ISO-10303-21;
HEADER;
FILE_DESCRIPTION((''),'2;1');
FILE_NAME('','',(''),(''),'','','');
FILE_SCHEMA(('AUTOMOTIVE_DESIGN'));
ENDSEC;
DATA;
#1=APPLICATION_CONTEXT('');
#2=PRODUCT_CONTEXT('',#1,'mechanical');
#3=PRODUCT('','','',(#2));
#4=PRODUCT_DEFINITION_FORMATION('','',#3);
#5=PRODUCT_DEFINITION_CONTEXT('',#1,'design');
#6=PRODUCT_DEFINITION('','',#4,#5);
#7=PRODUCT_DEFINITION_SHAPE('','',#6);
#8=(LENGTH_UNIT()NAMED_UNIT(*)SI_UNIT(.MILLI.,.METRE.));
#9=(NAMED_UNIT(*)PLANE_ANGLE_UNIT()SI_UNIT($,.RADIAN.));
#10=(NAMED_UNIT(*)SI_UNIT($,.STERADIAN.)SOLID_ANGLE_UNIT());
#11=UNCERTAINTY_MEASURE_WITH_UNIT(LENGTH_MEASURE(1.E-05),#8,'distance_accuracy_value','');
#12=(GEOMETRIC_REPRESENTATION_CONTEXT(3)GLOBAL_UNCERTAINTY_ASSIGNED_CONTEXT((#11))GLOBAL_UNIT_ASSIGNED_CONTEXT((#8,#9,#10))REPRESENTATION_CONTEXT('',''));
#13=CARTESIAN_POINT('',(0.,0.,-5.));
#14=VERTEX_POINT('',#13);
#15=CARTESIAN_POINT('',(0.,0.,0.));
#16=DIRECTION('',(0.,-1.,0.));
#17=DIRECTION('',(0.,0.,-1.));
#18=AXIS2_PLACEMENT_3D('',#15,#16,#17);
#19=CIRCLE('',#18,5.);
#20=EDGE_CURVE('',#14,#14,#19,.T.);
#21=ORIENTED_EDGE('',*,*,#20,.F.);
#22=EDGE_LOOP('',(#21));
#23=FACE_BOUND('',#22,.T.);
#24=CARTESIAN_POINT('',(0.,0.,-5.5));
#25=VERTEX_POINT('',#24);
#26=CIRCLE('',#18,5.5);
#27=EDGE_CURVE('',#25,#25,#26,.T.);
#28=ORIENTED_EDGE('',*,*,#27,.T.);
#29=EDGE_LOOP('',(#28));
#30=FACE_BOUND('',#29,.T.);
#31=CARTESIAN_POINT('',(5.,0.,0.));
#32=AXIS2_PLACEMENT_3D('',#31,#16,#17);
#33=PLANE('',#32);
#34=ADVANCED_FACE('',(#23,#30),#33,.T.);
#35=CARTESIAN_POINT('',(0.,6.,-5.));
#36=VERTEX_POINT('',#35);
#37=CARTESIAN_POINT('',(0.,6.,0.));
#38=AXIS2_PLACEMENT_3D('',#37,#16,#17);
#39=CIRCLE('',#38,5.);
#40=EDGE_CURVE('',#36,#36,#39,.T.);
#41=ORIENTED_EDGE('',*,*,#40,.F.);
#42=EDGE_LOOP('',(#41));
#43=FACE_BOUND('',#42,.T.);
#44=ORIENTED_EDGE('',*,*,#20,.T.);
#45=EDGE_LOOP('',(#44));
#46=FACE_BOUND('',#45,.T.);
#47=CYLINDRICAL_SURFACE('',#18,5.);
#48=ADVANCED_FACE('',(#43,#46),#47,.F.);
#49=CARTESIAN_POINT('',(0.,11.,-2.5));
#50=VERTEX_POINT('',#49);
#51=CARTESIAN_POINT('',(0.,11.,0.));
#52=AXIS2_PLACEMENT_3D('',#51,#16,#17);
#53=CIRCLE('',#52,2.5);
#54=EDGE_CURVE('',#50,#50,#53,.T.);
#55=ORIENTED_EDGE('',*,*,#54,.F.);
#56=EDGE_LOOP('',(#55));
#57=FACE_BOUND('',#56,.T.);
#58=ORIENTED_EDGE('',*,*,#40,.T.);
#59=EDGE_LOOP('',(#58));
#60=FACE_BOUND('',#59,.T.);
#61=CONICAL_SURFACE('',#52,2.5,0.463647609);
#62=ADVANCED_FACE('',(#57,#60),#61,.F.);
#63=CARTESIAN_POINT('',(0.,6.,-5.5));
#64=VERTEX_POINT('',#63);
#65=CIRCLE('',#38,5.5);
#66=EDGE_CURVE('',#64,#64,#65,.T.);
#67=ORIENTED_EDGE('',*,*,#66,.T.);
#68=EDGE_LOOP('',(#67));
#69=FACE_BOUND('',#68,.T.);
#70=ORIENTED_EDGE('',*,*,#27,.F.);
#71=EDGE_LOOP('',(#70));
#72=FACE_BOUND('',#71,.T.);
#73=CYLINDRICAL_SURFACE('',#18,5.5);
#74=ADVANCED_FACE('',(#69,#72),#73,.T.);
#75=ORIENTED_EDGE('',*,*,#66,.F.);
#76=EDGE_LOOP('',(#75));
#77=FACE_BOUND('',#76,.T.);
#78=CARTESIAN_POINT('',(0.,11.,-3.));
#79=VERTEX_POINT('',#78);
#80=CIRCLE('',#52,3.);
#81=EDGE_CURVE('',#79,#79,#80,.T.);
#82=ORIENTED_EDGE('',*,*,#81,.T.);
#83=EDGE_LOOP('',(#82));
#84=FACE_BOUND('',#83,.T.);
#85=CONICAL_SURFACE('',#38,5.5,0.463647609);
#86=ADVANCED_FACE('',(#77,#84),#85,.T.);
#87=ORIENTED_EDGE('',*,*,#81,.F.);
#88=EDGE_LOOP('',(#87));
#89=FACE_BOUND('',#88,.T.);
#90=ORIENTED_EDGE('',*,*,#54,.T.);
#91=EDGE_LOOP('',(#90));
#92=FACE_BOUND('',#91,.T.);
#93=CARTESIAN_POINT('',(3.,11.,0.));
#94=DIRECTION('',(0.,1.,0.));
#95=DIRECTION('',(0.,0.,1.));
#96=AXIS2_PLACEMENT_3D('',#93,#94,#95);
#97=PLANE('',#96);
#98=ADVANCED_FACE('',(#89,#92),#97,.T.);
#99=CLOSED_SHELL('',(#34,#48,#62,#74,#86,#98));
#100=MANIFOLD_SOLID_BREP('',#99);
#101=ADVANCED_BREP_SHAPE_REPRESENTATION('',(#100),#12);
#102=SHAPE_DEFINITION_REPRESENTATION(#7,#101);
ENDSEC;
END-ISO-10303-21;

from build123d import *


with BuildPart() as part:
    # Sketch1 → Revolve2 (revolve)
    with BuildSketch(Plane.XY):
        Polygon((5.5, 0), (5.5, 6), (3, 11), (2.5, 11), (5, 6), (5, 0), align=None)
    revolve(axis=Axis((0, 0, 0), (0, 1, 0)))


solid = part.part
